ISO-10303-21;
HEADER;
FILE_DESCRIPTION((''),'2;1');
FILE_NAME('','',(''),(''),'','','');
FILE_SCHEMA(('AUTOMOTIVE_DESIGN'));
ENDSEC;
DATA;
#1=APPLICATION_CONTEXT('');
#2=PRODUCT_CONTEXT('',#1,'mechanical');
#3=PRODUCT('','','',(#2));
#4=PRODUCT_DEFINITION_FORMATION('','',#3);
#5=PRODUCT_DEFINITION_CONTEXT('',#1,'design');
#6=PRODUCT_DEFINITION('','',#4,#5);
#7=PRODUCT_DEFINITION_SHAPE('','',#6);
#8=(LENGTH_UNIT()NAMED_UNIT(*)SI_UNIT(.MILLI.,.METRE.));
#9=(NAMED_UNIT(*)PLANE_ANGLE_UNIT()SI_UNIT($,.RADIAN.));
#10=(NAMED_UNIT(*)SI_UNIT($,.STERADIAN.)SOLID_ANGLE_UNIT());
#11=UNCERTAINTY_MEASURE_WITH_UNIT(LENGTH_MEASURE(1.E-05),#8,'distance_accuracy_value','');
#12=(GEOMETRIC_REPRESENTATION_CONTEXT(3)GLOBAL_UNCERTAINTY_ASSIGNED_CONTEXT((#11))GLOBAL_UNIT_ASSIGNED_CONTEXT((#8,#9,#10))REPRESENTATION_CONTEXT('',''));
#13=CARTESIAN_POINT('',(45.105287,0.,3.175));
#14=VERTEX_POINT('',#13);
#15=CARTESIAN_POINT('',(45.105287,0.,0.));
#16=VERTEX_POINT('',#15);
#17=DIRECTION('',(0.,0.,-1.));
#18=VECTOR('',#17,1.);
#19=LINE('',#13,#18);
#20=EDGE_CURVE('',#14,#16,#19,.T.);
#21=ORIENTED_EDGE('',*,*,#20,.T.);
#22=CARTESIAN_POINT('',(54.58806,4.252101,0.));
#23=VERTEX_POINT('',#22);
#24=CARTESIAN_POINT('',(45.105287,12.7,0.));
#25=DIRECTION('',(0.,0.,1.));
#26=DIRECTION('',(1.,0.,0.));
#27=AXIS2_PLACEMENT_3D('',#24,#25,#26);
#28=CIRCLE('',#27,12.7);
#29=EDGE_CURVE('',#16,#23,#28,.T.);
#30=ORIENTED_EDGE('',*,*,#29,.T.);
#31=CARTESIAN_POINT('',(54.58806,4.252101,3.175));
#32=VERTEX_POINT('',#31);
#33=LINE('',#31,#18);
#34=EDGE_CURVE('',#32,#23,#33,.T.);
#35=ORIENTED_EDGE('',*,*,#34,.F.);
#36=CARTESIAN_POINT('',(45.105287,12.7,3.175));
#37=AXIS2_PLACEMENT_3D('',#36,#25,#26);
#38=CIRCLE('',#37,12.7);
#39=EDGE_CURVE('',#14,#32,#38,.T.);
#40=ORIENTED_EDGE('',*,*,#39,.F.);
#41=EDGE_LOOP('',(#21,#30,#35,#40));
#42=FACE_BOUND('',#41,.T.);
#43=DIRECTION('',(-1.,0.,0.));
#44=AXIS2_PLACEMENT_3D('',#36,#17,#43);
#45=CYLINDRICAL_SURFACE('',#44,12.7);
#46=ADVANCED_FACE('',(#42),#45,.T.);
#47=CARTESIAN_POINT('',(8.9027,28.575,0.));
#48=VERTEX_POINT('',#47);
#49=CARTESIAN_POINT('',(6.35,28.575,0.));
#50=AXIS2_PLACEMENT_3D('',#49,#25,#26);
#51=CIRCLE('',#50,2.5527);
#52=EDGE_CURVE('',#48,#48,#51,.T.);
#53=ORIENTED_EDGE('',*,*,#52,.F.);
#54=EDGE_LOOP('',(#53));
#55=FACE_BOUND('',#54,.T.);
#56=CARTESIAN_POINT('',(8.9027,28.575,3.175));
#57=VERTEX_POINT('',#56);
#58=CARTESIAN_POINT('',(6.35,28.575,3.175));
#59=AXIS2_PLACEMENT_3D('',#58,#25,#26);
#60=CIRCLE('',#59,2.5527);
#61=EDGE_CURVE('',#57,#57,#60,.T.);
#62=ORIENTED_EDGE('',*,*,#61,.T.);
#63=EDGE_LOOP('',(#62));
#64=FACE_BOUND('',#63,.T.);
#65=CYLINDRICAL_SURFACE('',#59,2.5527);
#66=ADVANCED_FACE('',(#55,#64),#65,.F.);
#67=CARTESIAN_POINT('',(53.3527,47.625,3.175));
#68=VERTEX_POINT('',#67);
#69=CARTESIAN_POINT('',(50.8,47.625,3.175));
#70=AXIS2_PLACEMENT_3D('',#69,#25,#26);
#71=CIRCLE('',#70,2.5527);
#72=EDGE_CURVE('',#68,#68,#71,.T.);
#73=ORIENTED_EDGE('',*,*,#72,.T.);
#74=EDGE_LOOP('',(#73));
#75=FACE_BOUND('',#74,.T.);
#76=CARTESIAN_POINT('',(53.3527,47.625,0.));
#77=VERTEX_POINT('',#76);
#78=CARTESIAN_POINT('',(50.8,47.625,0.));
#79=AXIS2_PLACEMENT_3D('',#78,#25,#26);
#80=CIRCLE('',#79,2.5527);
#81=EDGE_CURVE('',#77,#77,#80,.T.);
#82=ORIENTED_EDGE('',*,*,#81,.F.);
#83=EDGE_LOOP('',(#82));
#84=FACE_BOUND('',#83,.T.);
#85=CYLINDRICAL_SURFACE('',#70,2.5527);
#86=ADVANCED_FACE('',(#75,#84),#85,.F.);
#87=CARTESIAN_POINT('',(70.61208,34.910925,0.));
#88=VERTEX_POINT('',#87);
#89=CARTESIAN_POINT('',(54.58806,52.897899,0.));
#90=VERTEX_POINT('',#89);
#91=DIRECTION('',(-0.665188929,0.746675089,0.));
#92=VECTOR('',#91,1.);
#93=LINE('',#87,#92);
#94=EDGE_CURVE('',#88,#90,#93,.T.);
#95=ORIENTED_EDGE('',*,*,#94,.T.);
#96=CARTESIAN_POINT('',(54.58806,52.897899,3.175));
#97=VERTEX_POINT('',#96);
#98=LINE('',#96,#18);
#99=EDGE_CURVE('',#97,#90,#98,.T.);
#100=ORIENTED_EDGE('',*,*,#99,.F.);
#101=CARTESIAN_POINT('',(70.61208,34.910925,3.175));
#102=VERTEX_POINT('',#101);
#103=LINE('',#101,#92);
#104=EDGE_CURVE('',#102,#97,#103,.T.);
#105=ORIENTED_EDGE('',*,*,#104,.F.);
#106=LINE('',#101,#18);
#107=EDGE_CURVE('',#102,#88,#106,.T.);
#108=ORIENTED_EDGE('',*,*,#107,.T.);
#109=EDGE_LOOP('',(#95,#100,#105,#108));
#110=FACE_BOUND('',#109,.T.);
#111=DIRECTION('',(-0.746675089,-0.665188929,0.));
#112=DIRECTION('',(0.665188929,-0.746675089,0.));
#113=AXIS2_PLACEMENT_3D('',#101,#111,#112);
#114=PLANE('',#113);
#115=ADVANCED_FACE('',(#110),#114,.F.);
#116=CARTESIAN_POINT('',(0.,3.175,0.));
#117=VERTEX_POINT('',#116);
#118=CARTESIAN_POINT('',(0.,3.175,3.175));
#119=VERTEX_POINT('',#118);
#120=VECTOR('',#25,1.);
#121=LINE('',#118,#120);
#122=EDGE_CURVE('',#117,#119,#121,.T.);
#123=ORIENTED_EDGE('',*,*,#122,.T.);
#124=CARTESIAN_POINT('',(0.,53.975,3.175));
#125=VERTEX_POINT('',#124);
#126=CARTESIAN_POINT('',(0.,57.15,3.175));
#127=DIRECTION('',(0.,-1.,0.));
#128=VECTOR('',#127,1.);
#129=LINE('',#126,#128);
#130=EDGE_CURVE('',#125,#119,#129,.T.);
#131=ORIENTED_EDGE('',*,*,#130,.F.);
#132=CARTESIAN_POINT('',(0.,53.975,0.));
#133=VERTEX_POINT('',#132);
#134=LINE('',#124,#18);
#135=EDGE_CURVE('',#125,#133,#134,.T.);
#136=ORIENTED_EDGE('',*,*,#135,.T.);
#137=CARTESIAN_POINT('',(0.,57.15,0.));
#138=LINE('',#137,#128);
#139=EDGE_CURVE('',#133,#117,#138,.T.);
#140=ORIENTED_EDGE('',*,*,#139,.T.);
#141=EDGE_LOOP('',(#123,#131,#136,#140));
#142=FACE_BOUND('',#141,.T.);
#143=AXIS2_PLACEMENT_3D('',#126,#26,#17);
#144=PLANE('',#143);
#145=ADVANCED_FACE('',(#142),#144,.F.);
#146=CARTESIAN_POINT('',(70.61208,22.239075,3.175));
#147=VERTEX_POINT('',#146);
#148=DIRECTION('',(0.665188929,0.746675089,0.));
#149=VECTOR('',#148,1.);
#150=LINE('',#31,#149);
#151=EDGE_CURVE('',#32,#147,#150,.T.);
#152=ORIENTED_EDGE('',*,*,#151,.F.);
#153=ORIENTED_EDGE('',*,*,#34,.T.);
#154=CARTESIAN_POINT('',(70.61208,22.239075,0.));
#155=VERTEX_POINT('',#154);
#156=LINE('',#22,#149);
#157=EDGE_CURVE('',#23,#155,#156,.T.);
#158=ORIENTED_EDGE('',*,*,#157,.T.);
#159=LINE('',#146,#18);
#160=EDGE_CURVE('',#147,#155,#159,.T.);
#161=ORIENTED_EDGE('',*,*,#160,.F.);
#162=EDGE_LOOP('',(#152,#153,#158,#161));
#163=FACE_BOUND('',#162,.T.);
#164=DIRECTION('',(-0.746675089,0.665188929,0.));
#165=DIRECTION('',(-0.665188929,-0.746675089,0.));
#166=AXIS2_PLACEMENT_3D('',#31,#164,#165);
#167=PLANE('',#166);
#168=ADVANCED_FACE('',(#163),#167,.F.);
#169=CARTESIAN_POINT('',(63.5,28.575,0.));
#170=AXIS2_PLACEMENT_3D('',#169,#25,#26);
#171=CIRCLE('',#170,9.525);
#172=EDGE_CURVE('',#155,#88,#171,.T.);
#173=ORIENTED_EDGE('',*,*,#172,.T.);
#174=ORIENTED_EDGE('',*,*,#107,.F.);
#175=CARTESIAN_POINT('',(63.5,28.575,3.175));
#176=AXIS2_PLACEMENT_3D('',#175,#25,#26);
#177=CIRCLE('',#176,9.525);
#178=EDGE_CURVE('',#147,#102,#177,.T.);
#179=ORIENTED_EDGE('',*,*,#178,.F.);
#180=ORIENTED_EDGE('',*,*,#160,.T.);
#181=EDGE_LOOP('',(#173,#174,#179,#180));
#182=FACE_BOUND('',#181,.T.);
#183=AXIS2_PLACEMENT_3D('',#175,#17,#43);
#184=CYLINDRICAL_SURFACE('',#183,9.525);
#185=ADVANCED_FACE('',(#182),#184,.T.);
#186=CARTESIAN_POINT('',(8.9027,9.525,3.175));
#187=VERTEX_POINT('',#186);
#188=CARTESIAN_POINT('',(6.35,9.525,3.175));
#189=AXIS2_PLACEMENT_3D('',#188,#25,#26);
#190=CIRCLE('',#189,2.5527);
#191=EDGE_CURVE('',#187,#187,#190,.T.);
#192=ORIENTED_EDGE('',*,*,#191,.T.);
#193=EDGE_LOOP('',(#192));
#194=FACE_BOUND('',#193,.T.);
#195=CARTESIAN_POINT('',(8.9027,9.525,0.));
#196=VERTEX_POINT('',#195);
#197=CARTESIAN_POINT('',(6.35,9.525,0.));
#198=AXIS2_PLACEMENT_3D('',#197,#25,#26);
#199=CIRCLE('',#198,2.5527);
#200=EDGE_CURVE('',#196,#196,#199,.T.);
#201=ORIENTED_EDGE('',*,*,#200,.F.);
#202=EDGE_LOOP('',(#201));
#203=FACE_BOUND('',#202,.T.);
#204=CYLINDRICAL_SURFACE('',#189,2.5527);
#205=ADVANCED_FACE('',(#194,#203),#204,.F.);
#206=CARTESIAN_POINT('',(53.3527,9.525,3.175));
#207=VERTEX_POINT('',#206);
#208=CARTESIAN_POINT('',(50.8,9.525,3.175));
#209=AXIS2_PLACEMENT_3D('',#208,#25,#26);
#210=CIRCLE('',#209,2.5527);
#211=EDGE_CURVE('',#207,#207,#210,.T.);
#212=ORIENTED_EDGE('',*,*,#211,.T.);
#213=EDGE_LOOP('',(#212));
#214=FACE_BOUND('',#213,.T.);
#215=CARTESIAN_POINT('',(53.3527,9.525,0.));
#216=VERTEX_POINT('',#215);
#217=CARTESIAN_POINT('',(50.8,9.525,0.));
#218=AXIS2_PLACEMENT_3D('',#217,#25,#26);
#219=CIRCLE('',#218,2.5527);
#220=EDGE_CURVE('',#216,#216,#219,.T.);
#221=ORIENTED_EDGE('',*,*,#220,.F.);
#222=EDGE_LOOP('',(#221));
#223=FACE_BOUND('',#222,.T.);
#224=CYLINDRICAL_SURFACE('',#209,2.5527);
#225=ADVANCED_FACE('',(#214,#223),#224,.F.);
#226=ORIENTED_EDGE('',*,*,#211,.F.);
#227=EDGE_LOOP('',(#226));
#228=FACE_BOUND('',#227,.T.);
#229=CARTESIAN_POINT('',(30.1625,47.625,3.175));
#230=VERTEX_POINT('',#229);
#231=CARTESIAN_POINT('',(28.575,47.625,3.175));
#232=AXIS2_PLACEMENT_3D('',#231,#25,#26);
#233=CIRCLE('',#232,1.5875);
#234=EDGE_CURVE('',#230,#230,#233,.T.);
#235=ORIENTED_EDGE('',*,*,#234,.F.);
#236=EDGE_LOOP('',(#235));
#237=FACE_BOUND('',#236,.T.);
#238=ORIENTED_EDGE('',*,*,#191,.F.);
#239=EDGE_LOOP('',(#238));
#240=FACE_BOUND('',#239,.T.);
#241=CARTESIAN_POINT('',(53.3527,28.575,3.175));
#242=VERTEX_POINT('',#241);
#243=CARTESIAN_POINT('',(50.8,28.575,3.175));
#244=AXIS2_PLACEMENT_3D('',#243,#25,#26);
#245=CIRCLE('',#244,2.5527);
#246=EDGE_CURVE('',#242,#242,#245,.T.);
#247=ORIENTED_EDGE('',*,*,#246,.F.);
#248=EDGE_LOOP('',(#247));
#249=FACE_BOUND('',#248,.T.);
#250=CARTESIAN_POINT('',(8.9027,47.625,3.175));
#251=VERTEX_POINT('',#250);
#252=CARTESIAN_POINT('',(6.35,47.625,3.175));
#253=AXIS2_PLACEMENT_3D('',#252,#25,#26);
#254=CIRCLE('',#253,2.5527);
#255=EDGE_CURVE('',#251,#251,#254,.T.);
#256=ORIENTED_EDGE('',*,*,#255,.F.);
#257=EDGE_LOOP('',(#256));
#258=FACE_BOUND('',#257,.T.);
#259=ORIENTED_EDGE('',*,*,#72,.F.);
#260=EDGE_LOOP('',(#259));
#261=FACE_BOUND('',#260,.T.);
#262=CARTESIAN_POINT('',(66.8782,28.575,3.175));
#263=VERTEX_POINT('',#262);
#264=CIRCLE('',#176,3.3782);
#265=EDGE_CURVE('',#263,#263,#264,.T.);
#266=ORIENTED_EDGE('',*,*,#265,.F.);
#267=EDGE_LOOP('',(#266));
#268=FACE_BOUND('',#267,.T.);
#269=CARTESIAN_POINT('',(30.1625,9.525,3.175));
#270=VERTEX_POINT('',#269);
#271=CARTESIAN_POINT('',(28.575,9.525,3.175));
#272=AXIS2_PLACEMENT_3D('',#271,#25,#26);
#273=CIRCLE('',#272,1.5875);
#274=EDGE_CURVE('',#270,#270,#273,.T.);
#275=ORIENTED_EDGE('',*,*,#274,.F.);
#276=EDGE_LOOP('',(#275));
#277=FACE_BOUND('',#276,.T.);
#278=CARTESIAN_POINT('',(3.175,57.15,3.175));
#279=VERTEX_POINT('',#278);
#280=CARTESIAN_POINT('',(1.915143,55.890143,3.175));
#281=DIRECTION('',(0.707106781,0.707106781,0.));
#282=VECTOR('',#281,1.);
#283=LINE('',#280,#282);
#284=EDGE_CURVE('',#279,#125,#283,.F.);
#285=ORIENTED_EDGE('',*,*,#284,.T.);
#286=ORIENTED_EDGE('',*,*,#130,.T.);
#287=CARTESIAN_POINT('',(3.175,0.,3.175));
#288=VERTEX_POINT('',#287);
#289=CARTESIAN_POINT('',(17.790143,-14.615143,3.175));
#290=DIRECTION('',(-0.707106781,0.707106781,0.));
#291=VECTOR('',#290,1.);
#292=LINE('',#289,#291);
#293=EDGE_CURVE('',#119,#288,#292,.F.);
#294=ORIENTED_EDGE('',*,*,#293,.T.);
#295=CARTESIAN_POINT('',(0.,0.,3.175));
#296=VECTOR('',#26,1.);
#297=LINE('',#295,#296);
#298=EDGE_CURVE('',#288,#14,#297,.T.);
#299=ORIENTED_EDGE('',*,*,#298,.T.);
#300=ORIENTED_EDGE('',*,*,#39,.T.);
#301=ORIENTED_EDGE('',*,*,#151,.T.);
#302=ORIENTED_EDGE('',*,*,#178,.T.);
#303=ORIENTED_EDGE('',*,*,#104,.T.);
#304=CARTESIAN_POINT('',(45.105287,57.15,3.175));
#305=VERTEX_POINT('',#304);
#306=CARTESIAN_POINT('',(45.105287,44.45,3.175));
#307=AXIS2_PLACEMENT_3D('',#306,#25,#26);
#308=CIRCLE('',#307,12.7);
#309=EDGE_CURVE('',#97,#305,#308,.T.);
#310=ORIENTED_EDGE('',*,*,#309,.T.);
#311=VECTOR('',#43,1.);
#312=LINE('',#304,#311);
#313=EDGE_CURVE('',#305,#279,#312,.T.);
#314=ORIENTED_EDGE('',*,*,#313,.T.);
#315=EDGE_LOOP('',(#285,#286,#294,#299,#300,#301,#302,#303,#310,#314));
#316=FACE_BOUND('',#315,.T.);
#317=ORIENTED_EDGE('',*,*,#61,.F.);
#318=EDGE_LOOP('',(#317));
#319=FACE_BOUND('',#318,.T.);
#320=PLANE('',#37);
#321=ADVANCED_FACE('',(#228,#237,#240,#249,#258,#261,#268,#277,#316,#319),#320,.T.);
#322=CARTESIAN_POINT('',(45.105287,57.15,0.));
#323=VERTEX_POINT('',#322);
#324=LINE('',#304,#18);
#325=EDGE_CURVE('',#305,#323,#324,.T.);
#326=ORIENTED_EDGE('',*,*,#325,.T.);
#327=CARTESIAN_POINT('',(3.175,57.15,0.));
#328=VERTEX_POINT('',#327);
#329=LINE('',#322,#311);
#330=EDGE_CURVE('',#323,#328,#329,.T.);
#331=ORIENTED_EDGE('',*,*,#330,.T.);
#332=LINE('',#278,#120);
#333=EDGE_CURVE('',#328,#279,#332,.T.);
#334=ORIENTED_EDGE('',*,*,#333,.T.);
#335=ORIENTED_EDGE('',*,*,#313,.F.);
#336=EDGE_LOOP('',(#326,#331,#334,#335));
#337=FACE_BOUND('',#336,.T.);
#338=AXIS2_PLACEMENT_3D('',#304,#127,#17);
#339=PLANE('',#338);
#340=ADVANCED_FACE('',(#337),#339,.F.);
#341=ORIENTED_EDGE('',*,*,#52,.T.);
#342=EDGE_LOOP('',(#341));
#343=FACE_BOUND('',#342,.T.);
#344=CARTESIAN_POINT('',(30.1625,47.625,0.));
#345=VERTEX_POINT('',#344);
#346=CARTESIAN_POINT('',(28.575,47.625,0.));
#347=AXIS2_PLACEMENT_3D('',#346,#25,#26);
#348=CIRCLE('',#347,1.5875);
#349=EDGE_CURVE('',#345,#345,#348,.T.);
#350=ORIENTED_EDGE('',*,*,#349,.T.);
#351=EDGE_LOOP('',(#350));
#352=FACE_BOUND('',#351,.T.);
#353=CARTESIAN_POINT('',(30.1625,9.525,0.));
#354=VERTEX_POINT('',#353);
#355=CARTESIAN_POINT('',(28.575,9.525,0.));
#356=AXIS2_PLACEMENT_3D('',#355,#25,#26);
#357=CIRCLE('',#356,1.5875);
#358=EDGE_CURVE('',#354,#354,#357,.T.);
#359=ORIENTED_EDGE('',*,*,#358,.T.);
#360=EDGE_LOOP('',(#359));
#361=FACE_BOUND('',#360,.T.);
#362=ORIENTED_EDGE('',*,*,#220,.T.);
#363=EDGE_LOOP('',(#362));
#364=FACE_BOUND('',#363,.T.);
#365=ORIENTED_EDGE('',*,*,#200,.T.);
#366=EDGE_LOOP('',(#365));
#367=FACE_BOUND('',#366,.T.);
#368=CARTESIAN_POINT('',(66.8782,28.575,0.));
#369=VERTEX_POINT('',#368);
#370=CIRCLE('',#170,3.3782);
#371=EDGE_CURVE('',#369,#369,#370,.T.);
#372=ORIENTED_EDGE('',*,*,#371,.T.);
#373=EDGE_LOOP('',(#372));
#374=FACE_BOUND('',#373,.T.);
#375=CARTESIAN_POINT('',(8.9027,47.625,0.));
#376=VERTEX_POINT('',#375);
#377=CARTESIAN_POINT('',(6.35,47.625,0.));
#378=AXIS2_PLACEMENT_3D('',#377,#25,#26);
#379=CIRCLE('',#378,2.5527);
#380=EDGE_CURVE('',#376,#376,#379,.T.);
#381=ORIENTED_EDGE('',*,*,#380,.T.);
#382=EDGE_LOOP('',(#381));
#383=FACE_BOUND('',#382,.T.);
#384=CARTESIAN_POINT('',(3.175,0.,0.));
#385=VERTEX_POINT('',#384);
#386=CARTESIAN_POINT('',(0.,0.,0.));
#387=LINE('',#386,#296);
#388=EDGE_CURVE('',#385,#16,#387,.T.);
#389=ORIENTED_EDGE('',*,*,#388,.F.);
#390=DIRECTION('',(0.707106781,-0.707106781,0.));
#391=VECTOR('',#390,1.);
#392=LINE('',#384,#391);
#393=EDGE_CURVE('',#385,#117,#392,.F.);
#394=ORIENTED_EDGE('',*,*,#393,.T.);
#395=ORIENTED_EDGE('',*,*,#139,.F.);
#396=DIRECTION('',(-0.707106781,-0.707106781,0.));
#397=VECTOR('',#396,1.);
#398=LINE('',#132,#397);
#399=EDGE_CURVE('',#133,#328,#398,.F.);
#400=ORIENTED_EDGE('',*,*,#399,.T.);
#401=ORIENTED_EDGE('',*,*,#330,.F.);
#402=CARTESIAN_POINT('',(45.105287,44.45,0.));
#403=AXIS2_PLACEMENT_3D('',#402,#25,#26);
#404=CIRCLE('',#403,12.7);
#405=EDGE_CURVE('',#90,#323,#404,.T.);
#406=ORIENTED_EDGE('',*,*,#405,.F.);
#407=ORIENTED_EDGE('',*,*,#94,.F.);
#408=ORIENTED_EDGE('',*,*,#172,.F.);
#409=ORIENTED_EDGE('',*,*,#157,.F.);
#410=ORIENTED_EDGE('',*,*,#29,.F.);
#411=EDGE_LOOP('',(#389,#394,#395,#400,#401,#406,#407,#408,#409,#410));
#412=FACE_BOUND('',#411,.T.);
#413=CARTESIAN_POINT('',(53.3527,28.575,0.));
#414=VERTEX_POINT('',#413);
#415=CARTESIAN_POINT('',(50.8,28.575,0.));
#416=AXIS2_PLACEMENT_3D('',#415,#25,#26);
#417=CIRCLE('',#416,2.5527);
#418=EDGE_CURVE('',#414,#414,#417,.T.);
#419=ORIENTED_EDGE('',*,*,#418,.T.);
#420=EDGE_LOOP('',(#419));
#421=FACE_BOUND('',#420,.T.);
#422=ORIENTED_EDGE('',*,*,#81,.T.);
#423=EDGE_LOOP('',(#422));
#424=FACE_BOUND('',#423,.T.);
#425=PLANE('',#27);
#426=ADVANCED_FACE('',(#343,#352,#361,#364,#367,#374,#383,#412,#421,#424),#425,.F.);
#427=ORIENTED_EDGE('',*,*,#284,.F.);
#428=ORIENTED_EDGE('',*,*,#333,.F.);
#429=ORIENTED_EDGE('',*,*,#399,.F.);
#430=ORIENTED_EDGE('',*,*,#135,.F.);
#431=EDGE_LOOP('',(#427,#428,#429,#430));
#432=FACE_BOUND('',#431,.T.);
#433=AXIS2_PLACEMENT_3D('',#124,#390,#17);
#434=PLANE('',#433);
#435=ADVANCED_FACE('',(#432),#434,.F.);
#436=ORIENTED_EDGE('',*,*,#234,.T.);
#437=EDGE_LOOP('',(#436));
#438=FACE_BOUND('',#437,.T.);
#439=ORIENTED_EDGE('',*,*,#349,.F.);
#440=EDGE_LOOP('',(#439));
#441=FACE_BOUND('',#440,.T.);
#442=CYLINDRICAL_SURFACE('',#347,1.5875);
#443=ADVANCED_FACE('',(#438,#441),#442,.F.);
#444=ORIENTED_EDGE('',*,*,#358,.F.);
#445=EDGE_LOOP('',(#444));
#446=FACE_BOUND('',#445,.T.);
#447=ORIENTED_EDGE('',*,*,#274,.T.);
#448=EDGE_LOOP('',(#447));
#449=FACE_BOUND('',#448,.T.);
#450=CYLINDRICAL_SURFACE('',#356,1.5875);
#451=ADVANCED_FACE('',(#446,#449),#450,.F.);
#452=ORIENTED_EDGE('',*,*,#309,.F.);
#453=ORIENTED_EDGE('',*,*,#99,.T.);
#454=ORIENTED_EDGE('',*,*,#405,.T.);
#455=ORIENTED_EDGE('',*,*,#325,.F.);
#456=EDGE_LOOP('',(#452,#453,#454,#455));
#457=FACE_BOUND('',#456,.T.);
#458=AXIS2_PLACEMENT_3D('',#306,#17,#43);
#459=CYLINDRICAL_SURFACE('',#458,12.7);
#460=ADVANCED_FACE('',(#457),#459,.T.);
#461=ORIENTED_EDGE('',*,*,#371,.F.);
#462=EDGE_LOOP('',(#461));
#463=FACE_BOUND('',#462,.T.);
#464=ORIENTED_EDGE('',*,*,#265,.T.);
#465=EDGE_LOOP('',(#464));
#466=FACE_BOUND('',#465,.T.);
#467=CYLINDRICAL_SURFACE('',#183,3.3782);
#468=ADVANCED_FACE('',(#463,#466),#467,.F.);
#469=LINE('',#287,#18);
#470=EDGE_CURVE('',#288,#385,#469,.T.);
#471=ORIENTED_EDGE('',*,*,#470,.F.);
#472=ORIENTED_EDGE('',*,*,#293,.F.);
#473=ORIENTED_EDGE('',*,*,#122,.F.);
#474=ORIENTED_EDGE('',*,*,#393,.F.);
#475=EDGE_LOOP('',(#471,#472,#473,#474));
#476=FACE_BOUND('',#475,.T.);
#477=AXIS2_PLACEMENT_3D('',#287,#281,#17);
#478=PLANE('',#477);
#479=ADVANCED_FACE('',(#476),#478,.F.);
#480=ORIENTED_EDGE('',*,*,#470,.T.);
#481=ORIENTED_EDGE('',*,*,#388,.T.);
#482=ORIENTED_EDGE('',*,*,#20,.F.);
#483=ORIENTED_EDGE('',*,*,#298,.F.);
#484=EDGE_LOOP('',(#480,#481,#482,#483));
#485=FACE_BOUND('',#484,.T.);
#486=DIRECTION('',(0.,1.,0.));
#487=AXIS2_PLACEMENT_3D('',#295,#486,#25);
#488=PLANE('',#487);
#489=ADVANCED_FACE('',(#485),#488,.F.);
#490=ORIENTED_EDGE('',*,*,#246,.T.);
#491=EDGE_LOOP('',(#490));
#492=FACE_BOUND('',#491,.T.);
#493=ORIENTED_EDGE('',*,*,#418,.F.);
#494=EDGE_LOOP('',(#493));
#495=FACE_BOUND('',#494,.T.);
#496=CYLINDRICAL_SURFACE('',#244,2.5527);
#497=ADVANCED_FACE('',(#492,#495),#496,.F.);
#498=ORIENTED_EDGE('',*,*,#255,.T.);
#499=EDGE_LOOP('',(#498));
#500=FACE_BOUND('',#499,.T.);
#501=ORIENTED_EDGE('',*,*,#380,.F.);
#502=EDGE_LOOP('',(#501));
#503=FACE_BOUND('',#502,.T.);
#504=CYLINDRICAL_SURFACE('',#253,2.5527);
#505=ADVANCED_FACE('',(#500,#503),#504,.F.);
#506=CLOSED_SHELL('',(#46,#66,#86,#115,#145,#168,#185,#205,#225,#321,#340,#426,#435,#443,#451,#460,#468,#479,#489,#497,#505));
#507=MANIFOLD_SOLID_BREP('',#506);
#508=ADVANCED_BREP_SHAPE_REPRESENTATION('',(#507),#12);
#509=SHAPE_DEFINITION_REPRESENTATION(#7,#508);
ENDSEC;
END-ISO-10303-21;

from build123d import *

# Parameters (mm, degrees)
SKETCH1_R              = 3.3782
BOSS_EXTRUDE1_DEPTH    = 3.175
F_10_CLEARANCE_HOLE1_D = 5.1054
CHAMFER1_SIZE          = 3.175
SKETCH4_R              = 1.5875
CUT_EXTRUDE1_DEPTH     = 4.175


with BuildPart() as part:
    # Sketch1 → Boss-Extrude1 (new body)
    with BuildSketch(Plane.XY):
        with BuildLine():
            Line((0, 0), (45.105286642, 0))
            ThreePointArc((45.105286642, 0), (50.301519782, 1.111679969), (54.588060278, 4.252100606))
            Line((54.588060278, 4.252100606), (70.612080227, 22.239075455))
            ThreePointArc((70.612080227, 22.239075455), (73.025, 28.575), (70.612080227, 34.910924545))
            Line((70.612080227, 34.910924545), (54.588060278, 52.897899394))
            ThreePointArc((54.588060278, 52.897899394), (50.301519782, 56.038320031), (45.105286642, 57.15))
            Line((45.105286642, 57.15), (0, 57.15))
            Line((0, 57.15), (0, 0))
        make_face()
        with Locations((63.5, 28.575)):
            Circle(SKETCH1_R, mode=Mode.SUBTRACT)
    extrude(amount=BOSS_EXTRUDE1_DEPTH)

    # #10 Clearance Hole1 (through all)
    with Locations(Plane.XY.offset(3.175)):
        with Locations((50.8, 28.575), (6.35, 28.575), (6.35, 47.625), (50.8, 47.625), (50.8, 9.525), (6.35, 9.525)):
            Hole(F_10_CLEARANCE_HOLE1_D / 2)

    # Chamfer1
    chamfer1_edges = [part.edges().sort_by_distance(p)[0] for p in [
        (0, 57.15, 1.5875),
        (0, 0, 1.5875),
    ]]
    chamfer(chamfer1_edges, length=CHAMFER1_SIZE)

    # Sketch4 → Cut-Extrude1 (cut, through all)
    with BuildSketch(Plane.XY.offset(3.175)):
        with Locations((28.575, 47.625)):
            Circle(SKETCH4_R)
        with Locations((28.575, 9.525)):
            Circle(SKETCH4_R)
    extrude(amount=-CUT_EXTRUDE1_DEPTH, mode=Mode.SUBTRACT)


solid = part.part
